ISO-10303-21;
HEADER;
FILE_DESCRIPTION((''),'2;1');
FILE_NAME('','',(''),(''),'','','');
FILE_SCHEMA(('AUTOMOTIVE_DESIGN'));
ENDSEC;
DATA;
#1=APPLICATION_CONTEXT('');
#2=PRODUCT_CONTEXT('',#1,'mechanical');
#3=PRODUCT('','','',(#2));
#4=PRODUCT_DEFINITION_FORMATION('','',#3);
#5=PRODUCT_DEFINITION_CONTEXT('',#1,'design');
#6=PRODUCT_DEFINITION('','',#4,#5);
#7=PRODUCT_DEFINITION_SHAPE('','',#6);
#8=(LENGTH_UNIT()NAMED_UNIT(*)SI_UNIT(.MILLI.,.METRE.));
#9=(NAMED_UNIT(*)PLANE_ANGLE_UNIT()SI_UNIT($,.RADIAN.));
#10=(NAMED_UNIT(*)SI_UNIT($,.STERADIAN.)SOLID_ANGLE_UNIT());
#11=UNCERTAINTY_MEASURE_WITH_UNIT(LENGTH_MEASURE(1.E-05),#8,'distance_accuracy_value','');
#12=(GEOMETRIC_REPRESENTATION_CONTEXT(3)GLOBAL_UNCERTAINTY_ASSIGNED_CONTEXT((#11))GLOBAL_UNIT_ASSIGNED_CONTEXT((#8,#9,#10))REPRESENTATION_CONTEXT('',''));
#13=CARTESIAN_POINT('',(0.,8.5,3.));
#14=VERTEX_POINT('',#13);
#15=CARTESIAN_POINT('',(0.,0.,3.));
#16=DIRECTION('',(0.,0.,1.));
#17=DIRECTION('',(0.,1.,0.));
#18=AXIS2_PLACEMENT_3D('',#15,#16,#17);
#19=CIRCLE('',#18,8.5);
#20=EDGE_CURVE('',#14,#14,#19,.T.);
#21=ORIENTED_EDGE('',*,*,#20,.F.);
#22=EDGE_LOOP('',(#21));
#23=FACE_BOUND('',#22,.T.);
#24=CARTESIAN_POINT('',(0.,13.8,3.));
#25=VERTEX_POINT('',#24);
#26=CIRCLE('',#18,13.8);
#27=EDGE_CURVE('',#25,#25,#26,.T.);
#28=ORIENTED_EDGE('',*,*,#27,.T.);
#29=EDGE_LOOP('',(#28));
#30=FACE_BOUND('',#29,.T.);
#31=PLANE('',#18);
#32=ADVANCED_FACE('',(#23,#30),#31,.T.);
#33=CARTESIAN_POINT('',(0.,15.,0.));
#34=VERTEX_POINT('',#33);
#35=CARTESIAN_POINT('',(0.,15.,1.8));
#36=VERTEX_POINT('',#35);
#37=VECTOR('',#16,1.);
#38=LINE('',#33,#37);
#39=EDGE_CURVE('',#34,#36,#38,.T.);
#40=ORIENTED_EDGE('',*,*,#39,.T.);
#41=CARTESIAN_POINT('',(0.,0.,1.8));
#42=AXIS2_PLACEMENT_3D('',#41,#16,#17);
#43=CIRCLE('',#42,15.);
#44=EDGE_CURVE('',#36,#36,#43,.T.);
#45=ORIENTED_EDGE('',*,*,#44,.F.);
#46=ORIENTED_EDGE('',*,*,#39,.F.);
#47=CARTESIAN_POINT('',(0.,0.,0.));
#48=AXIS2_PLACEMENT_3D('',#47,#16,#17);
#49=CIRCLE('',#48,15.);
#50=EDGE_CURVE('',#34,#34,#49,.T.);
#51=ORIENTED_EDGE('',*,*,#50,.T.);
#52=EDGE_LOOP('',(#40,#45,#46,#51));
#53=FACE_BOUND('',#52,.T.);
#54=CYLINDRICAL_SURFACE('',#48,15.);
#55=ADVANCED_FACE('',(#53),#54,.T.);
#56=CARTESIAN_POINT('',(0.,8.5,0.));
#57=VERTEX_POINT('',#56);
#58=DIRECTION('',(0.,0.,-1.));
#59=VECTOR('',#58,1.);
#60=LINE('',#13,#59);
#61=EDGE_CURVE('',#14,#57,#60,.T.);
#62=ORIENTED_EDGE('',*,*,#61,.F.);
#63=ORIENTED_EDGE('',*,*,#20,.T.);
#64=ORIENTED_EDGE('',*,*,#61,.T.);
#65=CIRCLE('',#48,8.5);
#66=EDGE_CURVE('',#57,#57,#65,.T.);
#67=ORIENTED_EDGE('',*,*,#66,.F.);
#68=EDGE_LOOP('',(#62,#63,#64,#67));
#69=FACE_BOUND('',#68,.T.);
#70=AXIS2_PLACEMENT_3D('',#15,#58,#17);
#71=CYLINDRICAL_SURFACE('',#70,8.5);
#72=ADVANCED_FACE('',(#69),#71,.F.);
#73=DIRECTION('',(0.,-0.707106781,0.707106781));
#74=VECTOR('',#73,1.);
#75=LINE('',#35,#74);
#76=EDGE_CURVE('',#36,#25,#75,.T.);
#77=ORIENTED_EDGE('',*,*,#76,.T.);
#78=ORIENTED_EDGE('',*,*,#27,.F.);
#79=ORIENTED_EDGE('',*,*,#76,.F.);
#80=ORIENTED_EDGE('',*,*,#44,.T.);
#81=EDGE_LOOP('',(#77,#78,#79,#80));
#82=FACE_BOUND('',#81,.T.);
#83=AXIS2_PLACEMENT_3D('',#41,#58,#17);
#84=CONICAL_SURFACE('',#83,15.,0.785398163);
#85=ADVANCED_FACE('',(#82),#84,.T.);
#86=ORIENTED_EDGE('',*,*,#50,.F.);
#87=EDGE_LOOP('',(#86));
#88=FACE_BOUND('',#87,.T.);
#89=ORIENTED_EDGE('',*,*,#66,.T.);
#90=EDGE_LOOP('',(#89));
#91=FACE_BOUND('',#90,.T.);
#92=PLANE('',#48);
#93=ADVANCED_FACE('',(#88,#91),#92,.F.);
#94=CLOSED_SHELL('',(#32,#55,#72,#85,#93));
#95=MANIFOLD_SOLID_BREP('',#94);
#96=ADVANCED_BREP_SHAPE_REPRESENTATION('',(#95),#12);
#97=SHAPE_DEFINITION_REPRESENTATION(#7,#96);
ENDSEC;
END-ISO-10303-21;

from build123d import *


with BuildPart() as part:
    # Sketch → Revolution (revolve)
    with BuildSketch(Plane.YZ):
        Polygon((8.5, 0), (15, 0), (15, 1.8), (13.8, 3), (8.5, 3), align=None)
    revolve(axis=Axis((0, 0, 0), (0, 0, 1)))


solid = part.part
